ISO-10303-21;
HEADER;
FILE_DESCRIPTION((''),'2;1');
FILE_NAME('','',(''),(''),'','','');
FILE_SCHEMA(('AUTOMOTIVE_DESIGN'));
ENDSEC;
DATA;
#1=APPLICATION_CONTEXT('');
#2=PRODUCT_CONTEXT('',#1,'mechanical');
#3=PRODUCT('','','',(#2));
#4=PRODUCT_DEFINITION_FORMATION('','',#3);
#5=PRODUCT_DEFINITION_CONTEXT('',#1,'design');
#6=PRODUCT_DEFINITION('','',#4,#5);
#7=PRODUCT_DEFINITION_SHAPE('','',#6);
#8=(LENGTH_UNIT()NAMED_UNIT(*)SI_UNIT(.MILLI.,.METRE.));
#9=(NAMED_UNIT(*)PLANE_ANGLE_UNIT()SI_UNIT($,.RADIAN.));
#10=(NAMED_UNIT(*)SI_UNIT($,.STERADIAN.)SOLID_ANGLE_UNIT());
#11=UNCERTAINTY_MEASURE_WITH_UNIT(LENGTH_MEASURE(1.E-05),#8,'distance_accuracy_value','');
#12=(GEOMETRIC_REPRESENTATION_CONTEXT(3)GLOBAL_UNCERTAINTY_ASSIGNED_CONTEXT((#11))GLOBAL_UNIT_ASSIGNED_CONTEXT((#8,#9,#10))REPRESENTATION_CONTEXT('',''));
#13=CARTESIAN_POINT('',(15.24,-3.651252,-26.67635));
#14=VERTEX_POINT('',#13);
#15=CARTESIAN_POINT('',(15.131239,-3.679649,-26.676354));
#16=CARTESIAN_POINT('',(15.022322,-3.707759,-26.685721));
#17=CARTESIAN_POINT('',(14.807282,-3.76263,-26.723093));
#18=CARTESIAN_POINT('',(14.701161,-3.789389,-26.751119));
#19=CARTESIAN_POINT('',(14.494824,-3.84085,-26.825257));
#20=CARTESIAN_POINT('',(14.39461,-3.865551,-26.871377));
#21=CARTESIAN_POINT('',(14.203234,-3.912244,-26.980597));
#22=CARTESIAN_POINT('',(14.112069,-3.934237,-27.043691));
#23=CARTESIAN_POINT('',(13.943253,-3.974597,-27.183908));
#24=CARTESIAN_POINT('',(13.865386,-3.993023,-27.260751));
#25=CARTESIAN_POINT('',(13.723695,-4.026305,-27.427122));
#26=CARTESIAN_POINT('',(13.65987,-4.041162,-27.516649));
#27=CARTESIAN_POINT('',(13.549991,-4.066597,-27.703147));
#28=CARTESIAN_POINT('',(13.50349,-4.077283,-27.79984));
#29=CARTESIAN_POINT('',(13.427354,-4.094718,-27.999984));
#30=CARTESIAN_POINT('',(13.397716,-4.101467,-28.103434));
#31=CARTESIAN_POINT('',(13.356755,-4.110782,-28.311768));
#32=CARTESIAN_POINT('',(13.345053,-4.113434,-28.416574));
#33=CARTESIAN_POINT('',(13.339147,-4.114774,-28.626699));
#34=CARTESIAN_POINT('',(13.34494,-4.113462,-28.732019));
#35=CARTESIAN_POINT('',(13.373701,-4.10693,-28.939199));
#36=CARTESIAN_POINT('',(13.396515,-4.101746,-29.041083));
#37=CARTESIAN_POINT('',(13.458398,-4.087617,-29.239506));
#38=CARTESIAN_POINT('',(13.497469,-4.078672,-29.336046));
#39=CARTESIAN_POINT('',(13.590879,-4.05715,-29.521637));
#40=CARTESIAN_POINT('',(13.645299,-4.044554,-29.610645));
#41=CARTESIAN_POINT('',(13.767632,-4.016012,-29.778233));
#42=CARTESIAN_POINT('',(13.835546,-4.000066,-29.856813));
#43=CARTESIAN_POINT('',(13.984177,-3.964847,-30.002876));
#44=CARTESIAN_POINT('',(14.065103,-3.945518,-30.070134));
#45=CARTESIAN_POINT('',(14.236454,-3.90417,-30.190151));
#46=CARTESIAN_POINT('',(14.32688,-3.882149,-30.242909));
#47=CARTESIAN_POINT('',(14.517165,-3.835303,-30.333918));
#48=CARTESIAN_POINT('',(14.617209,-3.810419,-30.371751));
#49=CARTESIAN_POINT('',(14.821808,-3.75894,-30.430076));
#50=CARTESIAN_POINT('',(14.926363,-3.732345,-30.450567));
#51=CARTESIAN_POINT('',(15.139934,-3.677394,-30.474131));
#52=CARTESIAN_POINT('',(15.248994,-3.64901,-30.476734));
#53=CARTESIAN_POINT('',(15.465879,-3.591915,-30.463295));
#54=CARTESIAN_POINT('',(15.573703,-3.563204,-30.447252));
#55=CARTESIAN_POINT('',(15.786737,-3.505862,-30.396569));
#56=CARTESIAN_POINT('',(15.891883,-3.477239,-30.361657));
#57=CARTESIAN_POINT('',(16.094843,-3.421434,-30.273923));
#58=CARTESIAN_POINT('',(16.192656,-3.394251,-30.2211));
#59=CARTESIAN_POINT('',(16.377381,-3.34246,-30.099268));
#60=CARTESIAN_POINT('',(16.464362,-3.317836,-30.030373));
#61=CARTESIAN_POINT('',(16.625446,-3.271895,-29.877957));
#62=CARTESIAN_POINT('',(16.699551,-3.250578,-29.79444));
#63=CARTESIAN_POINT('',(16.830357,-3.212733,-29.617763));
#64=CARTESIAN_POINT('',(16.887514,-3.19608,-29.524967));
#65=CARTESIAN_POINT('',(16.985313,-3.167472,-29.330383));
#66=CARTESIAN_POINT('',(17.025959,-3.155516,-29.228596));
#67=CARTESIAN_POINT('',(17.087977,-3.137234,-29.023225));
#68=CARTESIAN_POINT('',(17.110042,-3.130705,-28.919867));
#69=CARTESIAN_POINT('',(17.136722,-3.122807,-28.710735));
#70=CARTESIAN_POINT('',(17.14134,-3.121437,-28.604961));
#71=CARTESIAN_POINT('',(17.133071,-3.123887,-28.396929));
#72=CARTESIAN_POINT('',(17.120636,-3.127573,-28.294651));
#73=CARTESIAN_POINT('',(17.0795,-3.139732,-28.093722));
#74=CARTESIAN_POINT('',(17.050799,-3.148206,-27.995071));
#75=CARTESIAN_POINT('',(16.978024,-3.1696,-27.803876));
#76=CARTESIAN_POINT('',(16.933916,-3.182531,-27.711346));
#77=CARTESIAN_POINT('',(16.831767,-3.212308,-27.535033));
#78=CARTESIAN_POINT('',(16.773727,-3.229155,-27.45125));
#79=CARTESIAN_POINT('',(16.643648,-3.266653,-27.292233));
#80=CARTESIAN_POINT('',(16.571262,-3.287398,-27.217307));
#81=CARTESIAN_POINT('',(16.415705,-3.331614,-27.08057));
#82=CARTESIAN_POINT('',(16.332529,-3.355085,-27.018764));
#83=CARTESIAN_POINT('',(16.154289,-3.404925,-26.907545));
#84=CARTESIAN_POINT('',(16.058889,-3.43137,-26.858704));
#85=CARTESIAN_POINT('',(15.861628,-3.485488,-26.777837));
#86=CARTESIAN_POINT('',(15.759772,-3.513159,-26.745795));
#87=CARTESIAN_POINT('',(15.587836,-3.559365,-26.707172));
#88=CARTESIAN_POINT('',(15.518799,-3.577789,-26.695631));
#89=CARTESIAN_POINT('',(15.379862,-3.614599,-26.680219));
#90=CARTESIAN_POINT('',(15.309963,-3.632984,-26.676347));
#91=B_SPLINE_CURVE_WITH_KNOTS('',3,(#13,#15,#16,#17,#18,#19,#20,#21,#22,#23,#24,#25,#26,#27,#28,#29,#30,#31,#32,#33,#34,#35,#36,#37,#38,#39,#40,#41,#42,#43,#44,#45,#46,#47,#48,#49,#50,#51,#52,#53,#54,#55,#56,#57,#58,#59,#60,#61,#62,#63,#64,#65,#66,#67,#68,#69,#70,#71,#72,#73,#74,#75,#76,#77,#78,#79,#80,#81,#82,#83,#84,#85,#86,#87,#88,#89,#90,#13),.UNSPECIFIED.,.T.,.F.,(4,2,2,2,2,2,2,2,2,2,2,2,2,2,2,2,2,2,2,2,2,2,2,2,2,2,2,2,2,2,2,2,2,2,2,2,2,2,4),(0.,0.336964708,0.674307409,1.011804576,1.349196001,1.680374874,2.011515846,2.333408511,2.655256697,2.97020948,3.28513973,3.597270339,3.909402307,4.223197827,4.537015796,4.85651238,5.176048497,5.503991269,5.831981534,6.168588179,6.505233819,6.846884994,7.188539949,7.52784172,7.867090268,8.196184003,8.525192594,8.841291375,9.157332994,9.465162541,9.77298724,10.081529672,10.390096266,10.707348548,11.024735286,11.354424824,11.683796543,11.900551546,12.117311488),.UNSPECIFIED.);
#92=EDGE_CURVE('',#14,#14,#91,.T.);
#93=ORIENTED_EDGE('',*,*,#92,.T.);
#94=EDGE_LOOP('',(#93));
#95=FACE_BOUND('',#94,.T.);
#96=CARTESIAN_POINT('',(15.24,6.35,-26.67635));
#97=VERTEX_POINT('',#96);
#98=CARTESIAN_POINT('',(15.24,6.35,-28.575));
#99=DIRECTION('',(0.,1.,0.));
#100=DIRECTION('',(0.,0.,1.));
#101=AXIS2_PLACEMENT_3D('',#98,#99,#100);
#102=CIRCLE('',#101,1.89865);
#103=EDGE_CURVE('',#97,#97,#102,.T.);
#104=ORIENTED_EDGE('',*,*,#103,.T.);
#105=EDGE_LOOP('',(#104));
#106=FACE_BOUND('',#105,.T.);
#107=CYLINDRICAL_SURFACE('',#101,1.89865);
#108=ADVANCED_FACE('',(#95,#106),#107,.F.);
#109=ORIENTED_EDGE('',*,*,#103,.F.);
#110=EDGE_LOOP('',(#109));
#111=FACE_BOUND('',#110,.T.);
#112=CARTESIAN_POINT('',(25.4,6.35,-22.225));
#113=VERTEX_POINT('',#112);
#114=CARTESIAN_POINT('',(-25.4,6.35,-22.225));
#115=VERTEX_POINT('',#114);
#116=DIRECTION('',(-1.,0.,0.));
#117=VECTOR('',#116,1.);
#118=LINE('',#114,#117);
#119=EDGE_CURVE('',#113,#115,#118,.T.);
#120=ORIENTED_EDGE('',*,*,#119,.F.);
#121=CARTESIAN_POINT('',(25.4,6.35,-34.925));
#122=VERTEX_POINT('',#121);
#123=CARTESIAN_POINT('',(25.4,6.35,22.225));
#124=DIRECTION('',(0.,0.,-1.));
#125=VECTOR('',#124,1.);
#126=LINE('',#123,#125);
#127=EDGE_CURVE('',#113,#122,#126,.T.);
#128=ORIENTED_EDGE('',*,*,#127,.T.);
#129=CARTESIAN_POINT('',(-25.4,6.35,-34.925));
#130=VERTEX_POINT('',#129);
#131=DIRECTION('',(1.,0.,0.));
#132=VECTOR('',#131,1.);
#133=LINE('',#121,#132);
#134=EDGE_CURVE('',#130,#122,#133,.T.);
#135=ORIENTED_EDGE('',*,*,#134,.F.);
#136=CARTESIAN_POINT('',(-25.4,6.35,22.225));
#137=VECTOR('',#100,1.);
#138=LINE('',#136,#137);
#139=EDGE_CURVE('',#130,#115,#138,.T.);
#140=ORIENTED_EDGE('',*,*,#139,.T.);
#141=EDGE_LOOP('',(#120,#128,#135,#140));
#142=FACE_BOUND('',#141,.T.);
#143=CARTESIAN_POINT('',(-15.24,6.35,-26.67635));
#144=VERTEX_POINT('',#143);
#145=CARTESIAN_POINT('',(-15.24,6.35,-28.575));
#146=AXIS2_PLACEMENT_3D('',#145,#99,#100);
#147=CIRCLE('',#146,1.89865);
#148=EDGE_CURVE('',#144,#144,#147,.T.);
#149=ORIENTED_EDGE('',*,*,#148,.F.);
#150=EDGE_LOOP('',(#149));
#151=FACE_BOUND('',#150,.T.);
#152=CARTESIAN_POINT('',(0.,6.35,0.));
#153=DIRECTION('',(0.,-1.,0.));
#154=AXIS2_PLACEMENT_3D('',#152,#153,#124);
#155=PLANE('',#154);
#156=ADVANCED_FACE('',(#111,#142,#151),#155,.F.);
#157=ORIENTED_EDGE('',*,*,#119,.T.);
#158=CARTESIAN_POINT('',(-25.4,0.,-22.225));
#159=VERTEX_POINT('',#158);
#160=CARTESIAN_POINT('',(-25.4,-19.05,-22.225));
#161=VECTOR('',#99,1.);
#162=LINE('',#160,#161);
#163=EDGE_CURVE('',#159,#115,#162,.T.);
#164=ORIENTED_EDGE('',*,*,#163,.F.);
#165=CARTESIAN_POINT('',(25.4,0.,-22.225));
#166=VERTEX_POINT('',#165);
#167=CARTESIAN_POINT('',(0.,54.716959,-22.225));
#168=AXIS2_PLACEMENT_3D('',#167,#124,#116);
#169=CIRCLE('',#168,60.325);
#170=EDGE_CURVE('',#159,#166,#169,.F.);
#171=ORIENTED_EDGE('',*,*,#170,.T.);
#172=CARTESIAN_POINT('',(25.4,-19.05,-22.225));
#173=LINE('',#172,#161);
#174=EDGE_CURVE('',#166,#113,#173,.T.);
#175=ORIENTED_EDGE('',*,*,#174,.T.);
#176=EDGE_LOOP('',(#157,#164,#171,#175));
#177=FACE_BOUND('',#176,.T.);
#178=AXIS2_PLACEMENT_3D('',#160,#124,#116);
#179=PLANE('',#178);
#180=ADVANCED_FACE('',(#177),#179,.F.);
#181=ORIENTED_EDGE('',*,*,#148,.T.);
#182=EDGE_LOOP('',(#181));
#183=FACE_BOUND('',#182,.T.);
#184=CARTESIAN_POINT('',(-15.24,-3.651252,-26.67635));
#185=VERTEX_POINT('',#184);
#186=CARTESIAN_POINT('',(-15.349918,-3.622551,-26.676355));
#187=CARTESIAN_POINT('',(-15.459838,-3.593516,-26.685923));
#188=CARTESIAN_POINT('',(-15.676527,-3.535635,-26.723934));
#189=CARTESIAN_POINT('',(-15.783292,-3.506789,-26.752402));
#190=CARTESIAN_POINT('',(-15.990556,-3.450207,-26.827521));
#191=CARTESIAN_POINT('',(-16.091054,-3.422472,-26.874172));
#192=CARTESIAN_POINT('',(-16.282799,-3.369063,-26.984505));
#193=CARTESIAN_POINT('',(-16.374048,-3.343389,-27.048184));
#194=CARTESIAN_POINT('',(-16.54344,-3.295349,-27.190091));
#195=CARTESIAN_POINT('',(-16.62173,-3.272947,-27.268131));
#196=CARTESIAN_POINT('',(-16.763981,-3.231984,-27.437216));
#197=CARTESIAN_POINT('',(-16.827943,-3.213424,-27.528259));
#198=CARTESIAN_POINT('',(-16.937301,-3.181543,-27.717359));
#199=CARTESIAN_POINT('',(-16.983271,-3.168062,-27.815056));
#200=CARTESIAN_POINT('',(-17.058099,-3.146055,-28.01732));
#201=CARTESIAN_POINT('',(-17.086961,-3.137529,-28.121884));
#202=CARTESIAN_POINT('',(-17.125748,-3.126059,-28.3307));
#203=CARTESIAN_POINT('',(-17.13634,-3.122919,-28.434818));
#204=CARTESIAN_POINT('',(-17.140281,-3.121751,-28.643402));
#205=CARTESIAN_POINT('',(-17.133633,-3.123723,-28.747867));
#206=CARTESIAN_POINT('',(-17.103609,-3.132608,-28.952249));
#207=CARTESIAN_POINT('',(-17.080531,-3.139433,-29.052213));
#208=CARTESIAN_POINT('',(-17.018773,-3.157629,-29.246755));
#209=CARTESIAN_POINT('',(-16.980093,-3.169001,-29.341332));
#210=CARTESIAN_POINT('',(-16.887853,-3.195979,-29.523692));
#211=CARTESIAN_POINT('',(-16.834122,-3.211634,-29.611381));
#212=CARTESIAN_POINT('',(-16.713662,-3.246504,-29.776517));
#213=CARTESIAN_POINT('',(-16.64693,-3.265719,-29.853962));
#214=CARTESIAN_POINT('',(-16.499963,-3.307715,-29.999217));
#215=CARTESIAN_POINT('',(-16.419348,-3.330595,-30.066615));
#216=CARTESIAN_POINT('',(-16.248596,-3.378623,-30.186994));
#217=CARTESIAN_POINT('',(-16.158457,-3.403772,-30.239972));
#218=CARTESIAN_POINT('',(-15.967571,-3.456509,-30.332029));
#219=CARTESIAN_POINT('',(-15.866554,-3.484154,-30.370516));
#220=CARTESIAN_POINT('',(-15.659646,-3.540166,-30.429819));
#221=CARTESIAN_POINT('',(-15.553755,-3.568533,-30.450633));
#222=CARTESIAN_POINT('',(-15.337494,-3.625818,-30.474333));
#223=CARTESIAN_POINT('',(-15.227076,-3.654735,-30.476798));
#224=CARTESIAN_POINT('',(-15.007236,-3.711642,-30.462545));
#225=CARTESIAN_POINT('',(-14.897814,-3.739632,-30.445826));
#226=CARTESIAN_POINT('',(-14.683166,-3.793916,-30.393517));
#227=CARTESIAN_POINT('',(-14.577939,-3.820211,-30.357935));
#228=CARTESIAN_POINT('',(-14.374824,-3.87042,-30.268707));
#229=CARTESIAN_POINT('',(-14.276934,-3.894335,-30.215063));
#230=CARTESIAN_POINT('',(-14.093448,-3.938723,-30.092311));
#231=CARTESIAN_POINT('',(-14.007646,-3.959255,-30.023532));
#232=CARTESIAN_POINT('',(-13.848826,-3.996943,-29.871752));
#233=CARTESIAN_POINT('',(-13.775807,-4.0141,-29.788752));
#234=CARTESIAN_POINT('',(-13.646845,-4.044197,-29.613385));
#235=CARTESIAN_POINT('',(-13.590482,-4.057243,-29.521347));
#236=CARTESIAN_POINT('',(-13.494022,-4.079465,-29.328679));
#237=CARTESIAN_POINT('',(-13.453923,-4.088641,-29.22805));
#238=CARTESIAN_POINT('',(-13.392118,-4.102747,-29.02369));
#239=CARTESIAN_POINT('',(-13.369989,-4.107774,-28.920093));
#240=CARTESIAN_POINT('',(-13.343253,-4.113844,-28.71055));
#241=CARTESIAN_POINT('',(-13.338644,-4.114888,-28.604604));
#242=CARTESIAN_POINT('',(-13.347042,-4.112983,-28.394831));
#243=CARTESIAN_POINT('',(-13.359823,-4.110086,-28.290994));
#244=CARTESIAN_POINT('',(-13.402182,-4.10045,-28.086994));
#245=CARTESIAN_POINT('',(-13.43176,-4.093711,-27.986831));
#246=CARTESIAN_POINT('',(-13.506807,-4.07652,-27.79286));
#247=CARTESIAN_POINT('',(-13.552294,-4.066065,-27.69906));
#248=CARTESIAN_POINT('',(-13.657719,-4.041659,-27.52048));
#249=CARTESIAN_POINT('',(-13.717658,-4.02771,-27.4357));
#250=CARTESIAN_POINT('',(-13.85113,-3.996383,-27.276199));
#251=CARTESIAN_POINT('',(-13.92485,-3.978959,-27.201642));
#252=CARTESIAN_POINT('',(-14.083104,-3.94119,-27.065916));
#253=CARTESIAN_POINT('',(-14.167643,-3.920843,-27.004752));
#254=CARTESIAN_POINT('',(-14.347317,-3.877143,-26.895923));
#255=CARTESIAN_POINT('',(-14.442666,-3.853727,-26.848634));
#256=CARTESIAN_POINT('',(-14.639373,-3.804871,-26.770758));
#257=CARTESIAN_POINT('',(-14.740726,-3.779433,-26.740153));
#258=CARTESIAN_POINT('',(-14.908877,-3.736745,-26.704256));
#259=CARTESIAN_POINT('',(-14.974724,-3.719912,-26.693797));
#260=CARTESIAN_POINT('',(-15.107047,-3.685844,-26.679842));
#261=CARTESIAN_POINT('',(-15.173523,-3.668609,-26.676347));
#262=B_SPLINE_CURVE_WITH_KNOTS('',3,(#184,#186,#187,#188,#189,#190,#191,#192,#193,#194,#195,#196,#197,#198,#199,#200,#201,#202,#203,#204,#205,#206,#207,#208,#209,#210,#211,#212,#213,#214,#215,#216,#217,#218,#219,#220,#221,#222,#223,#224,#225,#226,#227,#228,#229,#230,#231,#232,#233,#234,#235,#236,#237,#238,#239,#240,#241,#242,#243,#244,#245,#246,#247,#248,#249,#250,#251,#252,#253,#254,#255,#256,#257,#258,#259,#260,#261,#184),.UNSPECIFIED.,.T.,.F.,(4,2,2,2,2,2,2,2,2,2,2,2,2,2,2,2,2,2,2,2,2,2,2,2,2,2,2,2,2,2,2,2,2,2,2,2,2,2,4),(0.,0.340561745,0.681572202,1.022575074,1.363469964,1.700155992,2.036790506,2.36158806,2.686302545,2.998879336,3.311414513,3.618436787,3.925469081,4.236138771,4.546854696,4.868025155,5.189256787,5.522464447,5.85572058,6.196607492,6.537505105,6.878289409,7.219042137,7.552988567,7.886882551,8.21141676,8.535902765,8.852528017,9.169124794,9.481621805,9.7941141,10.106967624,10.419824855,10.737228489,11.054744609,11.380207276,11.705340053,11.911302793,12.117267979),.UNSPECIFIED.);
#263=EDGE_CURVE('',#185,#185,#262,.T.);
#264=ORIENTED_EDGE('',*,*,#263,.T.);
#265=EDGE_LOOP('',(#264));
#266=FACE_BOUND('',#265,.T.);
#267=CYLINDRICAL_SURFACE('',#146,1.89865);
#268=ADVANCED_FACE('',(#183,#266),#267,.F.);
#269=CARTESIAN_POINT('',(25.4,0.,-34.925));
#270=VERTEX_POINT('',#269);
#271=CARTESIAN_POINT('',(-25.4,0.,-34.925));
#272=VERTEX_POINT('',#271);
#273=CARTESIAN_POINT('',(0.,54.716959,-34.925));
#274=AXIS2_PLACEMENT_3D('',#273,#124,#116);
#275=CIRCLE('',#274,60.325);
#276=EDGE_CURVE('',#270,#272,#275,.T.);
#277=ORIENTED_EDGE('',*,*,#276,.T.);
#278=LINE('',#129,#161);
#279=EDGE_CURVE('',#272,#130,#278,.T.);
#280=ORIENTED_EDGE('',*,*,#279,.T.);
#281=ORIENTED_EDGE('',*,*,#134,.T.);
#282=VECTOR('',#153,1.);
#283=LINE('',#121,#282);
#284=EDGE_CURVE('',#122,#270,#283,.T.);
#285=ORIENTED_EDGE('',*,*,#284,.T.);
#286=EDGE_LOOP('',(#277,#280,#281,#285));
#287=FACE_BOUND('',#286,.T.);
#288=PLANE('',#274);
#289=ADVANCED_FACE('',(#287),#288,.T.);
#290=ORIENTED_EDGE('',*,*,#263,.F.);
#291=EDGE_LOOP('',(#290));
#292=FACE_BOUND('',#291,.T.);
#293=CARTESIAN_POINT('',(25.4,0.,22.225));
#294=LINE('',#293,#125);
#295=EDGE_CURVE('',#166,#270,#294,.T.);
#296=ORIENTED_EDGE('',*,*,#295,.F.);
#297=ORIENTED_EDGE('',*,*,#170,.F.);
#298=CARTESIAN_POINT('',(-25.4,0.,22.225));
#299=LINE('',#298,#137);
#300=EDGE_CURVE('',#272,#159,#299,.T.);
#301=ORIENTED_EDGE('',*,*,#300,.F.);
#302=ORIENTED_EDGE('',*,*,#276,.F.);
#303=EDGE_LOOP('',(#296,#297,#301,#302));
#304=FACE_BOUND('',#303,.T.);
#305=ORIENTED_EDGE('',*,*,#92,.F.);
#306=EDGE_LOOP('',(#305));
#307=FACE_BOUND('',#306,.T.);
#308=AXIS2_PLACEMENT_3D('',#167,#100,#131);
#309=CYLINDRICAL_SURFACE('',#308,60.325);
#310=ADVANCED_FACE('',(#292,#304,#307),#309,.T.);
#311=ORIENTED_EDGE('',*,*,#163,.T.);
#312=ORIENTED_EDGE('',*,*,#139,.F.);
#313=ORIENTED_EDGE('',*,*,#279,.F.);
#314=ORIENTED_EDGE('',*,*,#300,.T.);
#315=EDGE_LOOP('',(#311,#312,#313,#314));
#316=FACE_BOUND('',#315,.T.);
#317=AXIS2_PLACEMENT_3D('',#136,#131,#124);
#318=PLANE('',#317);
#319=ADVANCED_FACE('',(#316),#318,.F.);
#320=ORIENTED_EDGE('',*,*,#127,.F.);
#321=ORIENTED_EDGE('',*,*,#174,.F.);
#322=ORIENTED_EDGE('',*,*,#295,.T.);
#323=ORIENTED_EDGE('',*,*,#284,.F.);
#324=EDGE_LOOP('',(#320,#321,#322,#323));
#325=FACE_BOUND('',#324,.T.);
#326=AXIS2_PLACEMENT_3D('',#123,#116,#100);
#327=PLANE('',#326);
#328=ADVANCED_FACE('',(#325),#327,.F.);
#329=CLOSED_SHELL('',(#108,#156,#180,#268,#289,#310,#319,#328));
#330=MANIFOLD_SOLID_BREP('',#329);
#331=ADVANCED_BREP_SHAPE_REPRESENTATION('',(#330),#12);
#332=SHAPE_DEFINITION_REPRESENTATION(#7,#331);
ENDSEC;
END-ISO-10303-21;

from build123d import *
from build123d.topology import SkipClean

# Parameters (mm, degrees)
SKETCH1_W              = 50.8
SKETCH1_H              = 44.45
BOSS_EXTRUDE1_DEPTH    = 6.35
BOSS_EXTRUDE2_DEPTH    = 44.45
M4X0_7_TAPPED_HOLE1_D  = 3.3
BOSS_EXTRUDE3_DEPTH    = 12.7
F_10_24_TAPPED_HOLE1_D = 3.7973
SKETCH10_W             = 50.8
SKETCH10_H             = 44.45
CUT_EXTRUDE1_DEPTH     = 25.4


with BuildPart() as part:
    # Sketch1 → Boss-Extrude1 (new body)
    with BuildSketch(Plane(origin=(0, 0, 0), x_dir=(1, 0, 0), z_dir=(0, 1, 0))):
        Rectangle(SKETCH1_W, SKETCH1_H)
    extrude(amount=BOSS_EXTRUDE1_DEPTH)

    # Sketch2 → Boss-Extrude2 (add)
    with BuildSketch(Plane.XY.offset(22.225)):
        with BuildLine():
            Line((-25.4, 0), (25.4, 0))
            ThreePointArc((25.4, 0), (0, -5.608040792), (-25.4, 0))
        make_face()
    extrude(amount=-BOSS_EXTRUDE2_DEPTH)

    # M4x0.7 Tapped Hole1 (through all)
    with Locations(Plane(origin=(0, 6.35, 0), x_dir=(1, 0, 0), z_dir=(0, 1, 0))):
        with Locations((0, 14.6499912), (-17.9500022, -14.6500088), (17.9499978, -14.6500088)):
            Hole(M4X0_7_TAPPED_HOLE1_D / 2)

    # Sketch6 → Boss-Extrude3 (add)
    with SkipClean():  # the faces are left unmerged after this step: merging them gives an invalid solid
        with BuildSketch(Plane(origin=(0, 0, -22.225), x_dir=(-1, 0, 0), z_dir=(0, 0, -1))):
            with BuildLine():
                Line((-25.4, 6.35), (25.4, 6.35))
                Line((25.4, 6.35), (25.4, 0))
                ThreePointArc((25.4, 0), (0, -5.608040792), (-25.4, 0))
                Line((-25.4, 0), (-25.4, 6.35))
            make_face()
        extrude(amount=BOSS_EXTRUDE3_DEPTH)

    # #10-24 Tapped Hole1 (through all)
    with Locations(Plane(origin=(0, 6.35, 0), x_dir=(1, 0, 0), z_dir=(0, 1, 0))):
        with Locations((-15.24, 28.575), (15.24, 28.575)):
            Hole(F_10_24_TAPPED_HOLE1_D / 2)

    # Sketch10 → Cut-Extrude1 (cut)
    with BuildSketch(Plane(origin=(0, 6.35, 0), x_dir=(1, 0, 0), z_dir=(0, 1, 0))):
        Rectangle(SKETCH10_W, SKETCH10_H)
    extrude(amount=-CUT_EXTRUDE1_DEPTH, mode=Mode.SUBTRACT)


solid = part.part
